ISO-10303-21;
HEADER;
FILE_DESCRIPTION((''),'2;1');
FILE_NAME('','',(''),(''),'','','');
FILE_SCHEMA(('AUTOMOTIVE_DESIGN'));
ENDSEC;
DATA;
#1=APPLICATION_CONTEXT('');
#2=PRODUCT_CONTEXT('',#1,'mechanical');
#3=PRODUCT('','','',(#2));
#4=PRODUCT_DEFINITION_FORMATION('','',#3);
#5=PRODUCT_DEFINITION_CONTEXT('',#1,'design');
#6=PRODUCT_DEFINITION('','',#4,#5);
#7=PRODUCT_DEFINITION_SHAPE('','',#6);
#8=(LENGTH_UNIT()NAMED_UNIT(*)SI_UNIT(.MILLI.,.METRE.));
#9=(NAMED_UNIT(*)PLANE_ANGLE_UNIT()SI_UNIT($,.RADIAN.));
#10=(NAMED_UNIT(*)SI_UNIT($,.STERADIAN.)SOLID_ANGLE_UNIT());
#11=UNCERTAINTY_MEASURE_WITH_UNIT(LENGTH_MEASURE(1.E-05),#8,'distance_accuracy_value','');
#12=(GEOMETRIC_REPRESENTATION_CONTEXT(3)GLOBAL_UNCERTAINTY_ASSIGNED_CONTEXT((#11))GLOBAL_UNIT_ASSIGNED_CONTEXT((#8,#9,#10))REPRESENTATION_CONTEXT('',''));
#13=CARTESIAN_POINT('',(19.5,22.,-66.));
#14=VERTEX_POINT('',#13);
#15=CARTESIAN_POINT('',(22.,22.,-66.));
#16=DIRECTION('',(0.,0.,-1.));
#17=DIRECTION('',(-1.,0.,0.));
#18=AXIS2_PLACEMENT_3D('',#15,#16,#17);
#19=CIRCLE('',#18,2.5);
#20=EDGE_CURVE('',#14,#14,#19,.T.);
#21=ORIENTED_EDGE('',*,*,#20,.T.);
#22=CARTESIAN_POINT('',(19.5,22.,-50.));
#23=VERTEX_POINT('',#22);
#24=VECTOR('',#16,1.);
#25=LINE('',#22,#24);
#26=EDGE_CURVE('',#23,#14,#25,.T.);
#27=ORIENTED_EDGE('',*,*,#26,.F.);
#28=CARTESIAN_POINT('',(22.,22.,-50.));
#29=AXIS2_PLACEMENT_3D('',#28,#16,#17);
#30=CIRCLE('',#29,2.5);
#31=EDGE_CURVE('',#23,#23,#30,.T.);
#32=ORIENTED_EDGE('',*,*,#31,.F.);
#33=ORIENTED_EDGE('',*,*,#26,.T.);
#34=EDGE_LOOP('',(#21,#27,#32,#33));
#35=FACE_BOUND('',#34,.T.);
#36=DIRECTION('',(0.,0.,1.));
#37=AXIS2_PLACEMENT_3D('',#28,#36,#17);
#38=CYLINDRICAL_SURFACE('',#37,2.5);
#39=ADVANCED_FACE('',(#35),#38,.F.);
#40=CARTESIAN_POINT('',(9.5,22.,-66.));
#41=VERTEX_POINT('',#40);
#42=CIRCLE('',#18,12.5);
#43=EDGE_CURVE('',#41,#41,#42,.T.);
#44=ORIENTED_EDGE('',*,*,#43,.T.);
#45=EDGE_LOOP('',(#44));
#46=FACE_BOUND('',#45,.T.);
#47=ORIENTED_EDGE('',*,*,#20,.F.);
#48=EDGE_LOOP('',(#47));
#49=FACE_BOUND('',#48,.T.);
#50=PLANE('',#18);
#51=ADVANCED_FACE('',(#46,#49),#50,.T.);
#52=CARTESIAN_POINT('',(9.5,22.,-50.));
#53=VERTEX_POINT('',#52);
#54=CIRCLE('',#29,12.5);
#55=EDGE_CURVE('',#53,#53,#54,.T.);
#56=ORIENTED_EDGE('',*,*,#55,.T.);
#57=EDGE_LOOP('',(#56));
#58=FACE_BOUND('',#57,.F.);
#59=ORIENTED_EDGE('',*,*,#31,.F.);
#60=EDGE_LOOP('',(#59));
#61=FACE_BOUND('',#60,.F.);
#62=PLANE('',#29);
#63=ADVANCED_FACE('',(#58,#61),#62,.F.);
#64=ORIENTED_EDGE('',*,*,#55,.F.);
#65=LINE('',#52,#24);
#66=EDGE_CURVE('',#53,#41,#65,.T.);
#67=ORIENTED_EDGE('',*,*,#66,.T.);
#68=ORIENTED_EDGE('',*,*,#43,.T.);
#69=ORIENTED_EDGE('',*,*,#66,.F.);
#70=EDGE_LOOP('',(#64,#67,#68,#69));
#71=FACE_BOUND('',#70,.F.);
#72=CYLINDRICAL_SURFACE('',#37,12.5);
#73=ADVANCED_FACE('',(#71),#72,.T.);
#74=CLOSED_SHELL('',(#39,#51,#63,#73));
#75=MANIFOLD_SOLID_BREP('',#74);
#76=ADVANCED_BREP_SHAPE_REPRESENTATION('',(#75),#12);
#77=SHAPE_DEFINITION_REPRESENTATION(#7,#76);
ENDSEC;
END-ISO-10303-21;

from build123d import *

# Parameters (mm, degrees)
CYLINDER005_R     = 2.5
CYLINDER005_DEPTH = 16
CYLINDER_R        = 12.5
CYLINDER_DEPTH    = 16


with BuildPart() as cylinder003:
    # Cylinder005 → Cylinder005 (new body)
    with BuildSketch(Plane(origin=(0, 0, 0), x_dir=(-1, 0, 0), z_dir=(0, 0, -1))):
        Circle(CYLINDER005_R)
    extrude(amount=CYLINDER005_DEPTH)


with BuildPart() as ebayfoot:
    # Cylinder → Cylinder (new body)
    with BuildSketch(Plane(origin=(0, 0, 0), x_dir=(-1, 0, 0), z_dir=(0, 0, -1))):
        Circle(CYLINDER_R)
    extrude(amount=CYLINDER_DEPTH)

    # Cut001: cut Cylinder003
    add(cylinder003.part, mode=Mode.SUBTRACT)


with BuildPart() as ebayfoot_1:
    # Cut001 placement: moved
    add(ebayfoot.part.moved(Location((22, 22, -50))))


solid = ebayfoot_1.part
